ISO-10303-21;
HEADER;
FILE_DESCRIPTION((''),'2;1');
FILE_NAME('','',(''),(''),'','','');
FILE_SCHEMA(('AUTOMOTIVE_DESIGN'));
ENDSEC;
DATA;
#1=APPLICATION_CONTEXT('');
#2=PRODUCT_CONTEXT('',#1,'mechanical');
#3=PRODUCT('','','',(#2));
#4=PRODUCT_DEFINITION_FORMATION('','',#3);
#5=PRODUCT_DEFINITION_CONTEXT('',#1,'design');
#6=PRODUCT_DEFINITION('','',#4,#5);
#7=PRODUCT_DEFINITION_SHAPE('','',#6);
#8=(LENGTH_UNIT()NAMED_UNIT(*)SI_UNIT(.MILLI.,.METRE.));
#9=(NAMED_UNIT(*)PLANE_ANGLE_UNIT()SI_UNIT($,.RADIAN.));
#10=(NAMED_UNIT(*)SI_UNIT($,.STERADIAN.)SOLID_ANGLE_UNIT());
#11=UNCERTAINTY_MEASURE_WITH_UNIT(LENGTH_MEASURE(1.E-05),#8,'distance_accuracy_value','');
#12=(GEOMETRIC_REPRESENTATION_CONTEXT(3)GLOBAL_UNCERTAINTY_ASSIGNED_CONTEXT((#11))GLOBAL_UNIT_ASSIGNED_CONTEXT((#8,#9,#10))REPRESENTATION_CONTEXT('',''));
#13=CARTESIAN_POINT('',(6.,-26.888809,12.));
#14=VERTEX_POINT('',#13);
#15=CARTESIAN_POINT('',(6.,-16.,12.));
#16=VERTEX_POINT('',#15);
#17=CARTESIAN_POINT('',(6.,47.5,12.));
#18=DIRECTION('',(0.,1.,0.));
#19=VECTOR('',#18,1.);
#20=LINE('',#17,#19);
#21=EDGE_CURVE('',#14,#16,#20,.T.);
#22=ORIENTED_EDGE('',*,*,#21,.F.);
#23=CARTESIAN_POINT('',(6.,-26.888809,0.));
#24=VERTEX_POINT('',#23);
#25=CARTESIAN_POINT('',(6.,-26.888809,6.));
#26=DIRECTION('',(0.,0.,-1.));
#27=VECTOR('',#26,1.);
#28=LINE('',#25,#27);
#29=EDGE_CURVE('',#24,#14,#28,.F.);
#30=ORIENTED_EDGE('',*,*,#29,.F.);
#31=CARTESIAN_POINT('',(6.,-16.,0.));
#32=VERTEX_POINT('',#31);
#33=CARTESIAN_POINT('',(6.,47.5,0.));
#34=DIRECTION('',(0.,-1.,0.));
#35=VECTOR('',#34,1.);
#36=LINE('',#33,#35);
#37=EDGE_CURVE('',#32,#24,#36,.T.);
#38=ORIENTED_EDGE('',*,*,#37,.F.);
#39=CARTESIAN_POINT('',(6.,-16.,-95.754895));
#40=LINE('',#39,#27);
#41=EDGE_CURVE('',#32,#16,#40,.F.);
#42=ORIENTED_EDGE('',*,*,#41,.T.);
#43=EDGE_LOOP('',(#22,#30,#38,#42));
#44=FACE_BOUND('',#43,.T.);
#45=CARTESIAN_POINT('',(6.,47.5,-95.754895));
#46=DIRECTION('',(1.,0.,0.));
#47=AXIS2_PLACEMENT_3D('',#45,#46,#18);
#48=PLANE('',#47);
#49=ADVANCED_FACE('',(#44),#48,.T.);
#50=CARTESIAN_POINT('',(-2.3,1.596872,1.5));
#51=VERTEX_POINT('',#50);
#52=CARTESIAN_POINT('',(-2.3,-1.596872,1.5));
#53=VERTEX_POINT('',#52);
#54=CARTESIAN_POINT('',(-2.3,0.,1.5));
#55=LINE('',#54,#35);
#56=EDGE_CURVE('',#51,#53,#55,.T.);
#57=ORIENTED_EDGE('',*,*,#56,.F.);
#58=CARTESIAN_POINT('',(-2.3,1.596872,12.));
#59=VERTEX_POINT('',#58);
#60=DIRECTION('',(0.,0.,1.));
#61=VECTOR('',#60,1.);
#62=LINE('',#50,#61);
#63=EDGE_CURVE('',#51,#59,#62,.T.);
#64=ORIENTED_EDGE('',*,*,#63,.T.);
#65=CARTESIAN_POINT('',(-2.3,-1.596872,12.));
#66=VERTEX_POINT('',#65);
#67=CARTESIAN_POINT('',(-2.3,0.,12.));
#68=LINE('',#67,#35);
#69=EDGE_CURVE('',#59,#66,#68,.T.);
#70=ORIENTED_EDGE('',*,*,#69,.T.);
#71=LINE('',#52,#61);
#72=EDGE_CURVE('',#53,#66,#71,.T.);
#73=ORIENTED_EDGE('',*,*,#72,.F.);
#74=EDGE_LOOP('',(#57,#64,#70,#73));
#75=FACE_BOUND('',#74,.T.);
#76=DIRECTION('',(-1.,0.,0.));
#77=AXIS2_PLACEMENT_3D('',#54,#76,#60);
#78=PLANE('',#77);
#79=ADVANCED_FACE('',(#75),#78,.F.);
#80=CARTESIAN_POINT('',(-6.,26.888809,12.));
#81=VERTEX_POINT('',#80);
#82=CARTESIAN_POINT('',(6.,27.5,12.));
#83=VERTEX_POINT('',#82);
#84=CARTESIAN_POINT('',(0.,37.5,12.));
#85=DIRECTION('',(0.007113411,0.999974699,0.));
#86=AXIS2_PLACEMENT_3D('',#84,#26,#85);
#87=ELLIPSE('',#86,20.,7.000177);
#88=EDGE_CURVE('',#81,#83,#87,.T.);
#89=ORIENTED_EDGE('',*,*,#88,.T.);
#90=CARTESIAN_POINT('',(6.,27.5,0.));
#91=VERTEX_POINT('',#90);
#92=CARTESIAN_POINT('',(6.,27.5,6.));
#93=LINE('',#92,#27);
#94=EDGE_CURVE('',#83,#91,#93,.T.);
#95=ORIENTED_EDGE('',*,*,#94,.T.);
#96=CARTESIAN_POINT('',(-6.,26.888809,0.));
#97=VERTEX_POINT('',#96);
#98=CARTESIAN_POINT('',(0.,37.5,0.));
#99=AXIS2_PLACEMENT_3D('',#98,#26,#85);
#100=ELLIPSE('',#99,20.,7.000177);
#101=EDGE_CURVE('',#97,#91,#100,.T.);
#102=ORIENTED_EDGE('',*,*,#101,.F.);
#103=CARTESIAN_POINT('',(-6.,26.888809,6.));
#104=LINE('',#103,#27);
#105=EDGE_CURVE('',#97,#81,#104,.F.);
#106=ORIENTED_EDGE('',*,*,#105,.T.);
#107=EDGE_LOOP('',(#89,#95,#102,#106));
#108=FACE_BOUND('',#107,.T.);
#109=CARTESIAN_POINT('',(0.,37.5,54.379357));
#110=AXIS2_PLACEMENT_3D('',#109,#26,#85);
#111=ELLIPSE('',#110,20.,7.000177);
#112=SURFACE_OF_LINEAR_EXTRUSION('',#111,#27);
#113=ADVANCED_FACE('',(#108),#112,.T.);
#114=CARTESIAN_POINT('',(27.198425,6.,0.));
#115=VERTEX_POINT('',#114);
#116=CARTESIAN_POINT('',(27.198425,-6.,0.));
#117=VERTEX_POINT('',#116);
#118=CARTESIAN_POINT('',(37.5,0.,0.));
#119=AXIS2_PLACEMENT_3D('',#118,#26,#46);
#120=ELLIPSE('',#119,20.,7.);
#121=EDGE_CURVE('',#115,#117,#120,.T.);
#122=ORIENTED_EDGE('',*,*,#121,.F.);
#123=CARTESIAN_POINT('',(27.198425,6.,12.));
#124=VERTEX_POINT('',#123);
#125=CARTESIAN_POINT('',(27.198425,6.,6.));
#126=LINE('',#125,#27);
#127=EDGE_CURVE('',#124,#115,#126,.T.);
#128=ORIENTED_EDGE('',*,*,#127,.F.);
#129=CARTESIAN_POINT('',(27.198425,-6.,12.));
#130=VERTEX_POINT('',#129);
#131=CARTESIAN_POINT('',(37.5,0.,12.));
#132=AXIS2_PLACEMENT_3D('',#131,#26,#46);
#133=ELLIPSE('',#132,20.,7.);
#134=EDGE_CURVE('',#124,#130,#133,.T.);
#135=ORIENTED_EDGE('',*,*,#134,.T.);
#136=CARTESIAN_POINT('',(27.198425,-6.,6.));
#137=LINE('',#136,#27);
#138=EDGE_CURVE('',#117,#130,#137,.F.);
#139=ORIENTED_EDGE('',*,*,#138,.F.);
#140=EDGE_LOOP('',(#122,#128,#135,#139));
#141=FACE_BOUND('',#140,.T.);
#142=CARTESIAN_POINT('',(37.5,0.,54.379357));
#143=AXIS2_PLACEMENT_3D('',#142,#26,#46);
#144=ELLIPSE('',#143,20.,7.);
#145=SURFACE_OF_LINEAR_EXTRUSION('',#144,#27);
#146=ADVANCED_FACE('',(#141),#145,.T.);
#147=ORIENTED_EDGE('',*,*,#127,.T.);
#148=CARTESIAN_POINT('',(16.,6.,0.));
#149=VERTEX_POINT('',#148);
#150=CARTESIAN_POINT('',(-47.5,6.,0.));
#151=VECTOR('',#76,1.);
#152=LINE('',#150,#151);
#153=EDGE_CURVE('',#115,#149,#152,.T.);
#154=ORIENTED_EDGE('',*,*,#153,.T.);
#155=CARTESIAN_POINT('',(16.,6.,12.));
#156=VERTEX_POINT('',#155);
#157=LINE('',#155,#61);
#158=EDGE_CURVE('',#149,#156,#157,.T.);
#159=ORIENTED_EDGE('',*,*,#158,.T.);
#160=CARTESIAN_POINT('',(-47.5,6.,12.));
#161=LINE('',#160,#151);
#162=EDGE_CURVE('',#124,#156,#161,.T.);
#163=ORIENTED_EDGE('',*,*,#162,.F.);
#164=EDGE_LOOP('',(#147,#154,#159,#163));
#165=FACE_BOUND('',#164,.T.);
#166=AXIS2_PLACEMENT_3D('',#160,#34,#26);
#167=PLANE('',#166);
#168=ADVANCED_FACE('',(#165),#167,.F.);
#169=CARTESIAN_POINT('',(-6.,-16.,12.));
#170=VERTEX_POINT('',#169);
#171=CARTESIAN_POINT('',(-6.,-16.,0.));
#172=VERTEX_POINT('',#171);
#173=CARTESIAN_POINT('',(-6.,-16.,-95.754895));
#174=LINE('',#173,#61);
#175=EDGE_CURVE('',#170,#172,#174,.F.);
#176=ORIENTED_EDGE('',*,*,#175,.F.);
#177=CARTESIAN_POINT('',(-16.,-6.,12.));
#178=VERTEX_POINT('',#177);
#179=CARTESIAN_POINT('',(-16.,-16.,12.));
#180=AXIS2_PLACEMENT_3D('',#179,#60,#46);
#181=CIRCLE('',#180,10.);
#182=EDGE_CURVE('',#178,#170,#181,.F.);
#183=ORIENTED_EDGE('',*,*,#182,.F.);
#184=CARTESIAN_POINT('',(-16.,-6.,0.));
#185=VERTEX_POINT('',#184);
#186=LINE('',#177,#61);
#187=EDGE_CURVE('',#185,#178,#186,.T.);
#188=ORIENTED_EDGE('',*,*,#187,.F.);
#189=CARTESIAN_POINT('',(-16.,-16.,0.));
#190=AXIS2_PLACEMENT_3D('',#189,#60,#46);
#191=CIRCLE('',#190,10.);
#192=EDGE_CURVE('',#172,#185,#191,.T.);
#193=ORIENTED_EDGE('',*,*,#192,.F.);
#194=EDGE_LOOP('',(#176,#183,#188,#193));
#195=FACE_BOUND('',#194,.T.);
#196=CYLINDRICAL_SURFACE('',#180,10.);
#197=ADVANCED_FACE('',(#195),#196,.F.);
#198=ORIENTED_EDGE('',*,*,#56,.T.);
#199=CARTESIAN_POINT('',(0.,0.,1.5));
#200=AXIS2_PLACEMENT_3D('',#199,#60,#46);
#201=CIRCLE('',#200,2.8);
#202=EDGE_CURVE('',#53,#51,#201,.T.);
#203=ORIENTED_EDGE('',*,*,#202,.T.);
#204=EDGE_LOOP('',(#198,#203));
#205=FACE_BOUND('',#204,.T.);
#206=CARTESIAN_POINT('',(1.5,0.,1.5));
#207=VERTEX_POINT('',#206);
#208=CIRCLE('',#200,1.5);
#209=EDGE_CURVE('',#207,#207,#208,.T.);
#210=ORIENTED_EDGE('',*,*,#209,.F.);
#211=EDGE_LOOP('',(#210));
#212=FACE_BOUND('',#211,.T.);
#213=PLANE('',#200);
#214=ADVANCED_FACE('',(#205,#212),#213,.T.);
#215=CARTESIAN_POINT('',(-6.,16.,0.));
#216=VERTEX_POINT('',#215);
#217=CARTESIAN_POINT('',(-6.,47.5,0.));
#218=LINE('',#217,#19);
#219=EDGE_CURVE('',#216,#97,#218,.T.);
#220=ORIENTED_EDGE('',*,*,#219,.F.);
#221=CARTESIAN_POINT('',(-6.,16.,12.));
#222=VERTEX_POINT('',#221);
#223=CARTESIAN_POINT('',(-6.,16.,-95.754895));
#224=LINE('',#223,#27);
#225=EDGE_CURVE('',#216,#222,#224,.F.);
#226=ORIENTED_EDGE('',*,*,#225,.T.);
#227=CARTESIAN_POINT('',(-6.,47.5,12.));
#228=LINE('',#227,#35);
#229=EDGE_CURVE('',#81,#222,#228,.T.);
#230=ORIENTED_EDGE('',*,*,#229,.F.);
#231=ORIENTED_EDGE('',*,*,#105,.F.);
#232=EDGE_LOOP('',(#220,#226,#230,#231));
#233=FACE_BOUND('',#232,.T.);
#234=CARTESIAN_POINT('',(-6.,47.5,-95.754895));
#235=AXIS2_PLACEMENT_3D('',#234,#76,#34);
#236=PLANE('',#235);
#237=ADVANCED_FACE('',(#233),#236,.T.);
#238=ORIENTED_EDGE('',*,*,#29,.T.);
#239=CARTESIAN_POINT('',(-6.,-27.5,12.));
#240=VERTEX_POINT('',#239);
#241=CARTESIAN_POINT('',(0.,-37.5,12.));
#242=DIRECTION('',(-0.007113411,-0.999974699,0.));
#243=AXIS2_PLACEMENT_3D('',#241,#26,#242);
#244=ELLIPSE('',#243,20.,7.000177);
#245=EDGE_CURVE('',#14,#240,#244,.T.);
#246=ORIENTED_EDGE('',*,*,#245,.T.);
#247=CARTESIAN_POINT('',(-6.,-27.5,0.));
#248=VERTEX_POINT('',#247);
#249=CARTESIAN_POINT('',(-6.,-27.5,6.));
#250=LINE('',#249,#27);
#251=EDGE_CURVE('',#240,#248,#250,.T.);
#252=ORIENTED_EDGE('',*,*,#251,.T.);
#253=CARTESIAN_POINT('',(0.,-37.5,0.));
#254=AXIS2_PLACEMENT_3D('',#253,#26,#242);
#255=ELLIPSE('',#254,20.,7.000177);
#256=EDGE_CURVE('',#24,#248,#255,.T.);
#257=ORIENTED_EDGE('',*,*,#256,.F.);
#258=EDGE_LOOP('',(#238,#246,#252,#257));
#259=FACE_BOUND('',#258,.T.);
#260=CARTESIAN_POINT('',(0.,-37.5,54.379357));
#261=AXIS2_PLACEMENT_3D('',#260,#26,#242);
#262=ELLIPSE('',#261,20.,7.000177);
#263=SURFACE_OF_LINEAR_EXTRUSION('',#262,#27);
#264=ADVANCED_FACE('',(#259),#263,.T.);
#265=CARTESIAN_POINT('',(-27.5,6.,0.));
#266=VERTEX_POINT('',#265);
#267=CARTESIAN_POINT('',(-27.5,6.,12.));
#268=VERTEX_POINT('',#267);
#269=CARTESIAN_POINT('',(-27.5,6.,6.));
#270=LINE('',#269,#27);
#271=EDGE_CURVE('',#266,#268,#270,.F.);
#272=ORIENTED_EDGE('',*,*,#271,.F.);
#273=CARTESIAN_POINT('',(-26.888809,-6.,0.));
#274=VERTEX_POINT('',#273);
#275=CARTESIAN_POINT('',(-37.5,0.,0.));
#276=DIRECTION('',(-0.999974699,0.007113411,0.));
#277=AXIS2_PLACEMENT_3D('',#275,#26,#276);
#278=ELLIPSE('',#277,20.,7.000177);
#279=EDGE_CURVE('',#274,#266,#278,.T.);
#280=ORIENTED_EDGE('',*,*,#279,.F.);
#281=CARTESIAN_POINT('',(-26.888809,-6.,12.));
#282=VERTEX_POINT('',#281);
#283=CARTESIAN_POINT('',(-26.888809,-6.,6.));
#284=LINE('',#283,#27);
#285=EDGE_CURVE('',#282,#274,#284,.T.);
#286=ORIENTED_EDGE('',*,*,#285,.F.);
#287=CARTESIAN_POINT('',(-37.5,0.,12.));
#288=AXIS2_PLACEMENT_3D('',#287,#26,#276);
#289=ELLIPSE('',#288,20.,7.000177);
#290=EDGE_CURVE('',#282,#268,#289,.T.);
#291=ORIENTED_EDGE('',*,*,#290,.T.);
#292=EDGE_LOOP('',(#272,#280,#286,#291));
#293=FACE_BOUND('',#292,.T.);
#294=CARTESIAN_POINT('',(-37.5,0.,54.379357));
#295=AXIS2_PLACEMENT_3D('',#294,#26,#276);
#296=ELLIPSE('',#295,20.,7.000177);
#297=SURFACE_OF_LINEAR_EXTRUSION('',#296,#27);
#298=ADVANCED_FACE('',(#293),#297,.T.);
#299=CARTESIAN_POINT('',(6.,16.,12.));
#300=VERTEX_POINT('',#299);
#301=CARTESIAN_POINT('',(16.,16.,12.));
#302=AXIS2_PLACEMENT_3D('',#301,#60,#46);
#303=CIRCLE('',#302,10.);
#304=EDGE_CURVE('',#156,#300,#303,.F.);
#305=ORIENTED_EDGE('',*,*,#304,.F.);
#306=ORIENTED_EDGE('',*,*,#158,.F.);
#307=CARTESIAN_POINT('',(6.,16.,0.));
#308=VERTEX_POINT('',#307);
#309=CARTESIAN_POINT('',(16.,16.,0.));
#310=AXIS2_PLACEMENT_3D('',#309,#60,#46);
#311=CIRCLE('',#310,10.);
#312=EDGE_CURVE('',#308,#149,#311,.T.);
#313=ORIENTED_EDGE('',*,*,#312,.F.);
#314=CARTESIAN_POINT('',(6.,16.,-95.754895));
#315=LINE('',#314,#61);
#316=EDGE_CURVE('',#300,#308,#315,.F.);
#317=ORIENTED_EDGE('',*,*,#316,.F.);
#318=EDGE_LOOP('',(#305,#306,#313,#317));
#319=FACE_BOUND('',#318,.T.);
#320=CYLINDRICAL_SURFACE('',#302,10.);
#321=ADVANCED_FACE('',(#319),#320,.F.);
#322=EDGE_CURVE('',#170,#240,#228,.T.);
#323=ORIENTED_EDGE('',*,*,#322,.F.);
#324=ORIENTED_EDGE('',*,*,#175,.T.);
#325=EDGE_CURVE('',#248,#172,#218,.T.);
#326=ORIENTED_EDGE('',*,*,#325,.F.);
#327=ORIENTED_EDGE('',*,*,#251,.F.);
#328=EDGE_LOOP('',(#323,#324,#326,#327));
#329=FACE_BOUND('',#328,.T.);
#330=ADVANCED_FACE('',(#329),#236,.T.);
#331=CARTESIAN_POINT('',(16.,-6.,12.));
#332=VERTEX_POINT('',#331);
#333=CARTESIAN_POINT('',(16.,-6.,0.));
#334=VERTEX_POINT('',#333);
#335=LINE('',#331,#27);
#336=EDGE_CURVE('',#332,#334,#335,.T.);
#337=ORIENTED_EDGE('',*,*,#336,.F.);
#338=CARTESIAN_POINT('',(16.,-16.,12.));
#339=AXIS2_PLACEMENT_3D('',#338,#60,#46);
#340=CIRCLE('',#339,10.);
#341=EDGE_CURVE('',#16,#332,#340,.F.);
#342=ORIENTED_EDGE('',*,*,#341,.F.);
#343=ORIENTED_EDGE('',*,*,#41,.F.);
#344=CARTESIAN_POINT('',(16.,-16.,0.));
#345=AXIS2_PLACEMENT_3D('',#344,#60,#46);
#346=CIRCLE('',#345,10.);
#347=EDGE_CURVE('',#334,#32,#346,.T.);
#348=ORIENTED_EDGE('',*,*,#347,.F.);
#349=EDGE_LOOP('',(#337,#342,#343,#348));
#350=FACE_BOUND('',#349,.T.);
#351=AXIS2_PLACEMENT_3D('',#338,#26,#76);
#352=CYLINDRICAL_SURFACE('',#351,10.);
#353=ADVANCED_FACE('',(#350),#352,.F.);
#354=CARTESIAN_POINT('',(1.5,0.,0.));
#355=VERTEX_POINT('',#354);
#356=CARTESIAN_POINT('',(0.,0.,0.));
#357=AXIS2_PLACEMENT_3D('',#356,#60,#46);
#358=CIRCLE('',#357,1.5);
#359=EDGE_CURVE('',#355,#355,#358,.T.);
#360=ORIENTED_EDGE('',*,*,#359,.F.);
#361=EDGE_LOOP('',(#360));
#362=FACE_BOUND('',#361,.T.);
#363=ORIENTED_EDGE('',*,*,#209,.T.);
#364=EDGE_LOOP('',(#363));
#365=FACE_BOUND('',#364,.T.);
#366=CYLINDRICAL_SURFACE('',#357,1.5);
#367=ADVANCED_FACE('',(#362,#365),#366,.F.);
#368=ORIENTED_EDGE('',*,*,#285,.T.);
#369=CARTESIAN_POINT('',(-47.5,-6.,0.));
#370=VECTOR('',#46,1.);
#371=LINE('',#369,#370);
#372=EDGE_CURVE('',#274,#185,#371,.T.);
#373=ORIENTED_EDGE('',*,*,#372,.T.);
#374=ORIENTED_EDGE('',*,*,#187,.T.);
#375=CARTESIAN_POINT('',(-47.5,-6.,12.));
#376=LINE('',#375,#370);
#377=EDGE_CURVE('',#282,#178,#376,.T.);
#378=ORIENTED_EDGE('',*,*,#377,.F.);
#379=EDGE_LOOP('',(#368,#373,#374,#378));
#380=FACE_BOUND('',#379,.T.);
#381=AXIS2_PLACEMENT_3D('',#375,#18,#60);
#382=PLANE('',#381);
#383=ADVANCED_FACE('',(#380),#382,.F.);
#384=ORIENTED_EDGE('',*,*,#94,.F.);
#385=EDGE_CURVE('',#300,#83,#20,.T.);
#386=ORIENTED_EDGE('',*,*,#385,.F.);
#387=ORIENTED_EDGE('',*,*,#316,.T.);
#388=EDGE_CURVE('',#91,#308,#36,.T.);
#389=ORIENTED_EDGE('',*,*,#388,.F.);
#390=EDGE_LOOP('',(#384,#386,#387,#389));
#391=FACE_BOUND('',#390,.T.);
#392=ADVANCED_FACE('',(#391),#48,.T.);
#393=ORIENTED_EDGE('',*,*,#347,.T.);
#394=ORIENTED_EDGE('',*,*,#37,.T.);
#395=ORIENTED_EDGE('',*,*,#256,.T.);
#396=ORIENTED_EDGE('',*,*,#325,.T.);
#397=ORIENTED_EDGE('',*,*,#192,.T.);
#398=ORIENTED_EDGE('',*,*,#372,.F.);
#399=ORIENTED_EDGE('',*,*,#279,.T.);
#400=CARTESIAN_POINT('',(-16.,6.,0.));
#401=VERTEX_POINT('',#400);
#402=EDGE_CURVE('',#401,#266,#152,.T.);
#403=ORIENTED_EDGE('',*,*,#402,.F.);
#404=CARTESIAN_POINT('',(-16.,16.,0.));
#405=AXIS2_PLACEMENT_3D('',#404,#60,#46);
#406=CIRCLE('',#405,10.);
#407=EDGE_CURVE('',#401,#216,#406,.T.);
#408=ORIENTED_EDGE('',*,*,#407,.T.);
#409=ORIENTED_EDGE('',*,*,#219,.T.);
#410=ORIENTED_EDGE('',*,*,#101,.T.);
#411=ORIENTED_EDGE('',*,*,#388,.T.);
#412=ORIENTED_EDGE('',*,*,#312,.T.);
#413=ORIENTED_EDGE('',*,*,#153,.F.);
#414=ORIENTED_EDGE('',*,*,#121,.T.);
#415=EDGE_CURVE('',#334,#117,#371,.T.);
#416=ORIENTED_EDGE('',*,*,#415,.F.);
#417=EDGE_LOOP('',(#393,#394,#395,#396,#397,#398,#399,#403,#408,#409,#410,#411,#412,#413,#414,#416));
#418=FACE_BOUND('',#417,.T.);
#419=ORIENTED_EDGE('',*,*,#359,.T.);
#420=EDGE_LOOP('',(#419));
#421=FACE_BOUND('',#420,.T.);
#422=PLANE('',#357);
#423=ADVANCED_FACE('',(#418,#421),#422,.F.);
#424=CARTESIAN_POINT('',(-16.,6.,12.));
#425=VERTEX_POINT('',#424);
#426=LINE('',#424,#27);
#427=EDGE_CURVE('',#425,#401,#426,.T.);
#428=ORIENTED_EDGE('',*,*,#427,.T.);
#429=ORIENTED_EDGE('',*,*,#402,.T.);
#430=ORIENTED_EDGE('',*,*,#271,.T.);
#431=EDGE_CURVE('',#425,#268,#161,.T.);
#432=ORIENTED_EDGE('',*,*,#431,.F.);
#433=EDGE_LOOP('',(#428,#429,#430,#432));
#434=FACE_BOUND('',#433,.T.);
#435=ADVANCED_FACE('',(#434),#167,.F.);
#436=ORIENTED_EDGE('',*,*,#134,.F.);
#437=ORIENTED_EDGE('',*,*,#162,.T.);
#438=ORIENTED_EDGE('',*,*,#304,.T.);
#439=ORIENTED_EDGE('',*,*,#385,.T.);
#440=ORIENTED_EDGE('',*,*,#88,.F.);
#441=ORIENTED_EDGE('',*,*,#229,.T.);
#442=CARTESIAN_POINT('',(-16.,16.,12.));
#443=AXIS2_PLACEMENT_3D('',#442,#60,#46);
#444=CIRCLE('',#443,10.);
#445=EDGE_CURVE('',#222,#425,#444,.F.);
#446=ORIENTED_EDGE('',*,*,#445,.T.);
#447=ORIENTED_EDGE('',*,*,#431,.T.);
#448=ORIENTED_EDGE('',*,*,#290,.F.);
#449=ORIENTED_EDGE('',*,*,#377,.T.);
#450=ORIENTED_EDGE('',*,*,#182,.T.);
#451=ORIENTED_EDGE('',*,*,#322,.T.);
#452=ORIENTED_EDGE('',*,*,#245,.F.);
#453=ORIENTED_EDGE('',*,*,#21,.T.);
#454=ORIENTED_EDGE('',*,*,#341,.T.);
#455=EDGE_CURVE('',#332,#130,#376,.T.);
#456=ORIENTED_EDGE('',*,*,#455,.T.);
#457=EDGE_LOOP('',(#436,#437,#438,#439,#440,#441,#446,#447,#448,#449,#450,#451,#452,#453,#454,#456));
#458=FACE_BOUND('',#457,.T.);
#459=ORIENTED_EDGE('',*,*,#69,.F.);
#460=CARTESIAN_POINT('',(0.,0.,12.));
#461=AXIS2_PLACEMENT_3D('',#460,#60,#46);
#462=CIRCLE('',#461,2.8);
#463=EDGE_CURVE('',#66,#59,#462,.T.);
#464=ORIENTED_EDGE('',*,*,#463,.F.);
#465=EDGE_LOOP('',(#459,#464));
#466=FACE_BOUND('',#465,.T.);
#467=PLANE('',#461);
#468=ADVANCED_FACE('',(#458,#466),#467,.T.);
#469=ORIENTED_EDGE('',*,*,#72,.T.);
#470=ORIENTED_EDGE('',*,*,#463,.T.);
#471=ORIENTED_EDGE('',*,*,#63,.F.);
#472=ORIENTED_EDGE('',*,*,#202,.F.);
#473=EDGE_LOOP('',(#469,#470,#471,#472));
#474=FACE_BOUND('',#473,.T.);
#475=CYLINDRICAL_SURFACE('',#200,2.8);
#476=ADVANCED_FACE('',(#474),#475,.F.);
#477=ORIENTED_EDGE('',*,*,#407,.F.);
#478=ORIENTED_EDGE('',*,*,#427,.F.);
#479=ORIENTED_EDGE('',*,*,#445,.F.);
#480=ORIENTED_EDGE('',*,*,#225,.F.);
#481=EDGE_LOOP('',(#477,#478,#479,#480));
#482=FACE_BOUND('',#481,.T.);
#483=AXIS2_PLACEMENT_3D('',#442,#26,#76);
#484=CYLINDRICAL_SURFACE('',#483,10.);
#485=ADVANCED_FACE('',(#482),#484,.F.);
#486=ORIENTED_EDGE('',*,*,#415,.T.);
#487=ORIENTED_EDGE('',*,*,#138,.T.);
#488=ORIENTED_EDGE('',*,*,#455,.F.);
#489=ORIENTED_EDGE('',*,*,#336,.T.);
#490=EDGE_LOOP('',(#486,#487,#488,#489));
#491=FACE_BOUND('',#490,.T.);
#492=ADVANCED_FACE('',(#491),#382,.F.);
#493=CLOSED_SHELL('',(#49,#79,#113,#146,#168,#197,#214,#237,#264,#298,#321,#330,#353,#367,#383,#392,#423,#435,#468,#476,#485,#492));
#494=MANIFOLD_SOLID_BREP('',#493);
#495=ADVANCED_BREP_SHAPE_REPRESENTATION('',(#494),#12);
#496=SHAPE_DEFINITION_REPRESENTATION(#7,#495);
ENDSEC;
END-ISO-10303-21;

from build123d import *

# Parameters (mm, degrees)
SKETCH_2_W          = 95
SKETCH_2_H          = 12
EXTRUDE_2_DEPTH     = 12
SKETCH_7_W          = 12
SKETCH_7_H          = 95
EXTRUDE_6_DEPTH     = 12
SKETCH_5_RX         = 20
SKETCH_5_RY         = 7
SKETCH_5_RY_2       = 7.000177109
EXTRUDE_5_DEPTH     = 12
CUT_EXTRUDE_1_DEPTH = 10.5
FILLET_1_R          = 10
SKETCH_9_R          = 1.5
CUT_EXTRUDE_2_DEPTH = 82.992066392


with BuildPart() as part:
    # 草图2 → 凸台-拉伸2 (new body)
    with BuildSketch(Plane.XY):
        Rectangle(SKETCH_2_W, SKETCH_2_H)
    extrude(amount=EXTRUDE_2_DEPTH)

    # 草图7 → 凸台-拉伸6 (add)
    with BuildSketch(Plane.XY.offset(12)):
        Rectangle(SKETCH_7_W, SKETCH_7_H)
    extrude(amount=-EXTRUDE_6_DEPTH)

    # 草图5 → 凸台-拉伸5 (add)
    with BuildSketch(Plane(origin=(0, 0, 0), x_dir=(-1, 0, 0), z_dir=(0, 0, -1))):
        with Locations(Location((-37.5, 0), (0, 0, 0))):
            Ellipse(SKETCH_5_RX, SKETCH_5_RY)
        with Locations(Location((0, 37.5), (0, 0, 90.407571877))):
            Ellipse(SKETCH_5_RX, SKETCH_5_RY_2)
        with Locations(Location((37.5, 0), (0, 0, 0.407571877))):
            Ellipse(SKETCH_5_RX, SKETCH_5_RY_2)
        with Locations(Location((0, -37.5), (0, 0, -89.592428123))):
            Ellipse(SKETCH_5_RX, SKETCH_5_RY_2)
    extrude(amount=-EXTRUDE_5_DEPTH)

    # 草图8 → 切除-拉伸1 (cut)
    with BuildSketch(Plane.XY.offset(12)):
        with BuildLine():
            ThreePointArc((2.8, 0), (0.836660027, 2.672077843), (-2.3, 1.596871942))
            Line((-2.3, 1.596871942), (-2.3, -1.596871942))
            ThreePointArc((-2.3, -1.596871942), (0.836660027, -2.672077843), (2.8, 0))
        make_face()
    extrude(amount=-CUT_EXTRUDE_1_DEPTH, mode=Mode.SUBTRACT)

    # 圆角1
    fillet_1_edges = [part.edges().sort_by_distance(p)[0] for p in [
        (6, 6, 6),
        (6, -6, 6),
        (-6, 6, 6),
        (-6, -6, 6),
    ]]
    fillet(fillet_1_edges, radius=FILLET_1_R)

    # 草图9 → 切除-拉伸2 (cut, through all)
    with BuildSketch(Plane.XY.offset(1.5)):
        Circle(SKETCH_9_R)
    extrude(amount=-CUT_EXTRUDE_2_DEPTH, mode=Mode.SUBTRACT)


solid = part.part
